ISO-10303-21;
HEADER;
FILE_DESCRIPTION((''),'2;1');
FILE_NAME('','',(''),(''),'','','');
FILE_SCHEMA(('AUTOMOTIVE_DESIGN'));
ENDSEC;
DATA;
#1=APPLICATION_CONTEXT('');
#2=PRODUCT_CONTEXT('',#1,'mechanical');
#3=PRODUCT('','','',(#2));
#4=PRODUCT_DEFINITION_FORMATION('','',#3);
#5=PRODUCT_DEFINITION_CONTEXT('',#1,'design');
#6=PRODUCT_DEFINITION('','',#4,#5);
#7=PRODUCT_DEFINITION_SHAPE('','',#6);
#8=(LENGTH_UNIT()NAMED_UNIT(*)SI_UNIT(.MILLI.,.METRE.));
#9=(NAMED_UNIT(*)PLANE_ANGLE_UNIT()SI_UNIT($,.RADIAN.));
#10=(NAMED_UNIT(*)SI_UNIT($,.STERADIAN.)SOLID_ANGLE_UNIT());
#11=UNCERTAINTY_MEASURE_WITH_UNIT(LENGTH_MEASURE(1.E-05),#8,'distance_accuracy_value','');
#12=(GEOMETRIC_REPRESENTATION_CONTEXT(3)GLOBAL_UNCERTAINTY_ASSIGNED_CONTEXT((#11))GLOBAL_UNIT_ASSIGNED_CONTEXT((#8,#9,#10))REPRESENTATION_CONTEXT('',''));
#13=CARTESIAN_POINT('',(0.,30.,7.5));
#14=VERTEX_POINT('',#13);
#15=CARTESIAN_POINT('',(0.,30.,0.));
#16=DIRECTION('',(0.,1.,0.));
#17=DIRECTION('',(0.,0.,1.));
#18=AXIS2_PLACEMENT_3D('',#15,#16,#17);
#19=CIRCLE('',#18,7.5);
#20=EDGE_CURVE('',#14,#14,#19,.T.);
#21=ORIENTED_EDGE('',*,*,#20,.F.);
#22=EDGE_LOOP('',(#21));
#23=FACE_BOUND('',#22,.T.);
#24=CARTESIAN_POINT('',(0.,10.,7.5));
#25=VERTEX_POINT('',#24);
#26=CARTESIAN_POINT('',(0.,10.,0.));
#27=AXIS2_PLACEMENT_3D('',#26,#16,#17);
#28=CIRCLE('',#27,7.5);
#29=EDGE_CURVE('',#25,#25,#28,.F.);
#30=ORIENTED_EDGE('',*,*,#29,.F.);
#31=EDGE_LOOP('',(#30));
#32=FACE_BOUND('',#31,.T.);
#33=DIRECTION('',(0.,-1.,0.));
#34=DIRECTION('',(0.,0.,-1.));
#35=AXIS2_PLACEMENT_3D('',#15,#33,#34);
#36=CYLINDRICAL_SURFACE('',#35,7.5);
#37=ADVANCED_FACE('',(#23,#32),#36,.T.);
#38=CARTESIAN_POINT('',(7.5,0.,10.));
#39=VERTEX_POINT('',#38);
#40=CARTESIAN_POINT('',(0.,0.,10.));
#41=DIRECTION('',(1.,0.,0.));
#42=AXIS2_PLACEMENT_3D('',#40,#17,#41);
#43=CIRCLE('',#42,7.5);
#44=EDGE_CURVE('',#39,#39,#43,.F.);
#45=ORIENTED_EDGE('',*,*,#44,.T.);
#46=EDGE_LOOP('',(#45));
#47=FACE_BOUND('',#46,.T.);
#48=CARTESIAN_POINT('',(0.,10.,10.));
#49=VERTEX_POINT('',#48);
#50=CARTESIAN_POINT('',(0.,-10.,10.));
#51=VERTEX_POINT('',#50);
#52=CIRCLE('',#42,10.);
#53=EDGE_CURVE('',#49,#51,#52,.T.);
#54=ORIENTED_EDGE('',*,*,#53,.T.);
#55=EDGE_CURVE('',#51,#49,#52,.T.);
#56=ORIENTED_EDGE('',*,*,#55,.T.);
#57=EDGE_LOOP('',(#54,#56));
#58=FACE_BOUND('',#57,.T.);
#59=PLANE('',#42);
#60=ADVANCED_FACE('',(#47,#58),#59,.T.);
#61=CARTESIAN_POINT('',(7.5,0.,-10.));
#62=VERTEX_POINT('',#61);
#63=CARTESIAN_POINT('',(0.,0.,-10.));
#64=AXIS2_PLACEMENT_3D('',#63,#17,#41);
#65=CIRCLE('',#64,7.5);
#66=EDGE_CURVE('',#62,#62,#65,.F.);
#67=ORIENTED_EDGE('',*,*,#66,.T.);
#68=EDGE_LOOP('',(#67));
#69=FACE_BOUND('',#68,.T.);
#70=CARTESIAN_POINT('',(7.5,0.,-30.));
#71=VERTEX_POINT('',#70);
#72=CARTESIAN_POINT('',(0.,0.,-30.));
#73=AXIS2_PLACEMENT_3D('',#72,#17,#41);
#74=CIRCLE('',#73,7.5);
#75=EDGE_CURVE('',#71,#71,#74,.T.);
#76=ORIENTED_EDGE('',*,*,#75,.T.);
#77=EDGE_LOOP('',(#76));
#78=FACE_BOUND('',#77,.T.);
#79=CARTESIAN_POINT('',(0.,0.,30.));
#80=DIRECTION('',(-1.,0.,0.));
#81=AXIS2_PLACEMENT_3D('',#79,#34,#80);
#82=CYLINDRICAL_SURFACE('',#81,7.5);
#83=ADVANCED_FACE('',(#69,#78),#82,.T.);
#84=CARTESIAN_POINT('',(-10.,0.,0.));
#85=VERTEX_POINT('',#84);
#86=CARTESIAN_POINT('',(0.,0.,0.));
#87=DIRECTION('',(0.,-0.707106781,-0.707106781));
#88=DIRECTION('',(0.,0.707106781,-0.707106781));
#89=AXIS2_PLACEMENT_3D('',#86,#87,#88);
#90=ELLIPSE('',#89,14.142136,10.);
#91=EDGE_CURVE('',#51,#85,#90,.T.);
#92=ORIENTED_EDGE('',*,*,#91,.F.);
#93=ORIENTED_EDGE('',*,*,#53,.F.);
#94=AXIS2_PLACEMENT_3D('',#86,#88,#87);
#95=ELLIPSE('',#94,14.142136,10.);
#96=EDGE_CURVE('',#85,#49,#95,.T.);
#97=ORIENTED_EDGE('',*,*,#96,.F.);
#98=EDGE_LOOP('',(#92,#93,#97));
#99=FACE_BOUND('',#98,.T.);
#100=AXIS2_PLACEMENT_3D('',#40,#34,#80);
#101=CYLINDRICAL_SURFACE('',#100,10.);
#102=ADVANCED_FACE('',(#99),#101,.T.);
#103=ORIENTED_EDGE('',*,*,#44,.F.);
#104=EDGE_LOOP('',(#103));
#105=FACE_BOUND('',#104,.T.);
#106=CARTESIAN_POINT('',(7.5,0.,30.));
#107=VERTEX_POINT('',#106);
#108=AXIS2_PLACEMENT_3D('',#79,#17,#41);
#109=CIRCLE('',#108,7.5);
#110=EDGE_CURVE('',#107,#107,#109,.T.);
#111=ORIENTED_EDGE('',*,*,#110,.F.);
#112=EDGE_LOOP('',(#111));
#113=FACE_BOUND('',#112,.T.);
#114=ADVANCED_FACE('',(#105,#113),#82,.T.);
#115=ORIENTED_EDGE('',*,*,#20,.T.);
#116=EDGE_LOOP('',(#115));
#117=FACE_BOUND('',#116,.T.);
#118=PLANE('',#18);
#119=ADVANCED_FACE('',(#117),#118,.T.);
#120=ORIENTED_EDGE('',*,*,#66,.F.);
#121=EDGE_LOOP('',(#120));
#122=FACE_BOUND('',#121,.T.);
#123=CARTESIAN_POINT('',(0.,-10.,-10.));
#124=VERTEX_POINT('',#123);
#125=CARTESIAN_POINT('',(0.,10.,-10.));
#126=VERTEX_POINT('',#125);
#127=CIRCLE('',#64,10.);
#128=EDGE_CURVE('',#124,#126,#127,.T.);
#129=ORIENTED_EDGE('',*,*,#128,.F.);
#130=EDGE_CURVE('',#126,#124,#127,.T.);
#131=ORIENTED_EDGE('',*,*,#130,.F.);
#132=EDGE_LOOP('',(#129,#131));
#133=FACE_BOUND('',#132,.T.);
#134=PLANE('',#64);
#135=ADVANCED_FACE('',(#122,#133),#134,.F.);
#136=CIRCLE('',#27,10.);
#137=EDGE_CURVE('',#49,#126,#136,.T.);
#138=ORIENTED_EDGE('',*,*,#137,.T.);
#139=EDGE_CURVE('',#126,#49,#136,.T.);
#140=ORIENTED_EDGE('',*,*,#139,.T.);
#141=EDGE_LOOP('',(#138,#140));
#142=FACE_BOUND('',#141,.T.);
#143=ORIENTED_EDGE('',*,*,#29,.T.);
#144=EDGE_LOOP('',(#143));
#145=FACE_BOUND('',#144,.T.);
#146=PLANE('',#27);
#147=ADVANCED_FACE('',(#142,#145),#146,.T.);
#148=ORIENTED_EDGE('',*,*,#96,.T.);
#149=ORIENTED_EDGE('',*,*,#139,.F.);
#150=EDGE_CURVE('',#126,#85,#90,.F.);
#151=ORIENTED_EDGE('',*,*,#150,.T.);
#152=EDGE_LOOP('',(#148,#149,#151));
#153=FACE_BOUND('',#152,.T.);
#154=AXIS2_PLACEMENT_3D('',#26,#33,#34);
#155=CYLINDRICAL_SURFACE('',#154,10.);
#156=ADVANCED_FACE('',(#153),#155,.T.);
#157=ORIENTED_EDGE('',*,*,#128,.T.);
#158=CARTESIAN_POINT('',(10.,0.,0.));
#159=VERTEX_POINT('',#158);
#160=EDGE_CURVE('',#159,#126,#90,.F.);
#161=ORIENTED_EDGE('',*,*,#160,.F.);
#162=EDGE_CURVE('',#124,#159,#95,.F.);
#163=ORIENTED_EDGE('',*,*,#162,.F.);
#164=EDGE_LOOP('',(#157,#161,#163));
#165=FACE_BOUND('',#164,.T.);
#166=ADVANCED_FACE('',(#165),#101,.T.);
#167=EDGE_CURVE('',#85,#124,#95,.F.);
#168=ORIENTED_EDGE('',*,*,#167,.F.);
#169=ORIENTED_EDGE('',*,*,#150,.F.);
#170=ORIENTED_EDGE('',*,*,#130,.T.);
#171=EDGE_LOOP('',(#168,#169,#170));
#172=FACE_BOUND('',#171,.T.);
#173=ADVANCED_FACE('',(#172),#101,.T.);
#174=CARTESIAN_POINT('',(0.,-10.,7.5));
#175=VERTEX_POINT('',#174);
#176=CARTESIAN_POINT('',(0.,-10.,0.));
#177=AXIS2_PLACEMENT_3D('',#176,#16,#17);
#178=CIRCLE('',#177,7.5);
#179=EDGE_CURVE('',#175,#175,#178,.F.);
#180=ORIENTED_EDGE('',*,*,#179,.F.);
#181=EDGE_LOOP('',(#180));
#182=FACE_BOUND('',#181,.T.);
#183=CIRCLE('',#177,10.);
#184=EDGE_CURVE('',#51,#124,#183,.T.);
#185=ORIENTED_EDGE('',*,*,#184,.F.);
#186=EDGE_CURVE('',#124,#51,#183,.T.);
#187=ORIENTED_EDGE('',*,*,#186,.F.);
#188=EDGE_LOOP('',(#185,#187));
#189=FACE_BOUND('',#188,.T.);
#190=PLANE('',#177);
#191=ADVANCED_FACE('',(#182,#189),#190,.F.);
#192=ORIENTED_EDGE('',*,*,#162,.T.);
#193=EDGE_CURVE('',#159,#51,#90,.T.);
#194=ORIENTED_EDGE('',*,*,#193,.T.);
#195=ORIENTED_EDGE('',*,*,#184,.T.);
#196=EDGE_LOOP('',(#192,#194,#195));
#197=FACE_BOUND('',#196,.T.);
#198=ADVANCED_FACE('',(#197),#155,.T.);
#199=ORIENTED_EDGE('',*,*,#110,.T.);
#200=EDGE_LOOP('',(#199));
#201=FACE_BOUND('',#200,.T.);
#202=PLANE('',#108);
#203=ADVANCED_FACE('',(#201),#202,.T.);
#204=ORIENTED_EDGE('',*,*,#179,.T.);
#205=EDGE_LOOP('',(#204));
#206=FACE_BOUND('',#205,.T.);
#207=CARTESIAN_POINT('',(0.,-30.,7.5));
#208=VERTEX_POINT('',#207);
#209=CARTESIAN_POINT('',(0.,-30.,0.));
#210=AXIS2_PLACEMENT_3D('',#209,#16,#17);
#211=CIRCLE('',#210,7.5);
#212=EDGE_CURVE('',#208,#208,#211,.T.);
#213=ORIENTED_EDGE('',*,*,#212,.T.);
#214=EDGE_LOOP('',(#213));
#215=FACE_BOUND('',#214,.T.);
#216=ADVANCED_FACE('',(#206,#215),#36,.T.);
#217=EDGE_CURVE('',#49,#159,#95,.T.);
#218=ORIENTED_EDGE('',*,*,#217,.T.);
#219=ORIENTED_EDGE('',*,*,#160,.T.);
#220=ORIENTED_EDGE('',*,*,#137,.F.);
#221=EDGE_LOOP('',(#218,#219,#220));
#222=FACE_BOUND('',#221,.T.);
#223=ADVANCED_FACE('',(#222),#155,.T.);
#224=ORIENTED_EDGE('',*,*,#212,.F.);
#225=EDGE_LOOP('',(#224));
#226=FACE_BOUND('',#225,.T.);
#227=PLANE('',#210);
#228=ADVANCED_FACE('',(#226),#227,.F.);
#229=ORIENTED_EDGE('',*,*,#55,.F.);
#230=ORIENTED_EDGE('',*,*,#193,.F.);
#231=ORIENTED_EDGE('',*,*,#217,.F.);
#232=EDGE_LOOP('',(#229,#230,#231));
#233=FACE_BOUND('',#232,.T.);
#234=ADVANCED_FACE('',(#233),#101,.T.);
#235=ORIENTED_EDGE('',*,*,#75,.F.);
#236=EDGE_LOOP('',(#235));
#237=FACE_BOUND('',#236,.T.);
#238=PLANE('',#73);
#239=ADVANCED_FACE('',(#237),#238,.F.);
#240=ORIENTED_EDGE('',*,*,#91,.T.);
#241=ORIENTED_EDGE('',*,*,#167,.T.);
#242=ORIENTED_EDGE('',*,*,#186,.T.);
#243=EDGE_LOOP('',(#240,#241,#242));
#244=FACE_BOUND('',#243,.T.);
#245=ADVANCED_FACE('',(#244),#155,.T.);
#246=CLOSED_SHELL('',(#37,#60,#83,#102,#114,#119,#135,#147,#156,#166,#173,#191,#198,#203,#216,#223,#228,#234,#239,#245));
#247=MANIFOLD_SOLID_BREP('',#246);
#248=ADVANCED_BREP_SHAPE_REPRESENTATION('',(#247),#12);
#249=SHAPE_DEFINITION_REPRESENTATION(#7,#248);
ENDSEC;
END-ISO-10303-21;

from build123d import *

# Parameters (mm, degrees)
SKETCH1_R           = 10
BOSS_EXTRUDE1_DEPTH = 10
SKETCH2_R           = 7.5
BOSS_EXTRUDE2_DEPTH = 30
SKETCH3_R           = 10
BOSS_EXTRUDE3_DEPTH = 10
SKETCH4_R           = 7.5
BOSS_EXTRUDE4_DEPTH = 30


with BuildPart() as part:
    # Sketch1 → Boss-Extrude1 (new body, symmetric)
    with BuildSketch(Plane.XY):
        Circle(SKETCH1_R)
    extrude(amount=BOSS_EXTRUDE1_DEPTH, both=True)

    # Sketch2 → Boss-Extrude2 (add, symmetric)
    with BuildSketch(Plane.XY):
        Circle(SKETCH2_R)
    extrude(amount=BOSS_EXTRUDE2_DEPTH, both=True)

    # Sketch3 → Boss-Extrude3 (add, symmetric)
    with BuildSketch(Plane(origin=(0, 0, 0), x_dir=(1, 0, 0), z_dir=(0, 1, 0))):
        Circle(SKETCH3_R)
    extrude(amount=BOSS_EXTRUDE3_DEPTH, both=True)

    # Sketch4 → Boss-Extrude4 (add, symmetric)
    with BuildSketch(Plane(origin=(0, 0, 0), x_dir=(1, 0, 0), z_dir=(0, 1, 0))):
        Circle(SKETCH4_R)
    extrude(amount=BOSS_EXTRUDE4_DEPTH, both=True)


solid = part.part
